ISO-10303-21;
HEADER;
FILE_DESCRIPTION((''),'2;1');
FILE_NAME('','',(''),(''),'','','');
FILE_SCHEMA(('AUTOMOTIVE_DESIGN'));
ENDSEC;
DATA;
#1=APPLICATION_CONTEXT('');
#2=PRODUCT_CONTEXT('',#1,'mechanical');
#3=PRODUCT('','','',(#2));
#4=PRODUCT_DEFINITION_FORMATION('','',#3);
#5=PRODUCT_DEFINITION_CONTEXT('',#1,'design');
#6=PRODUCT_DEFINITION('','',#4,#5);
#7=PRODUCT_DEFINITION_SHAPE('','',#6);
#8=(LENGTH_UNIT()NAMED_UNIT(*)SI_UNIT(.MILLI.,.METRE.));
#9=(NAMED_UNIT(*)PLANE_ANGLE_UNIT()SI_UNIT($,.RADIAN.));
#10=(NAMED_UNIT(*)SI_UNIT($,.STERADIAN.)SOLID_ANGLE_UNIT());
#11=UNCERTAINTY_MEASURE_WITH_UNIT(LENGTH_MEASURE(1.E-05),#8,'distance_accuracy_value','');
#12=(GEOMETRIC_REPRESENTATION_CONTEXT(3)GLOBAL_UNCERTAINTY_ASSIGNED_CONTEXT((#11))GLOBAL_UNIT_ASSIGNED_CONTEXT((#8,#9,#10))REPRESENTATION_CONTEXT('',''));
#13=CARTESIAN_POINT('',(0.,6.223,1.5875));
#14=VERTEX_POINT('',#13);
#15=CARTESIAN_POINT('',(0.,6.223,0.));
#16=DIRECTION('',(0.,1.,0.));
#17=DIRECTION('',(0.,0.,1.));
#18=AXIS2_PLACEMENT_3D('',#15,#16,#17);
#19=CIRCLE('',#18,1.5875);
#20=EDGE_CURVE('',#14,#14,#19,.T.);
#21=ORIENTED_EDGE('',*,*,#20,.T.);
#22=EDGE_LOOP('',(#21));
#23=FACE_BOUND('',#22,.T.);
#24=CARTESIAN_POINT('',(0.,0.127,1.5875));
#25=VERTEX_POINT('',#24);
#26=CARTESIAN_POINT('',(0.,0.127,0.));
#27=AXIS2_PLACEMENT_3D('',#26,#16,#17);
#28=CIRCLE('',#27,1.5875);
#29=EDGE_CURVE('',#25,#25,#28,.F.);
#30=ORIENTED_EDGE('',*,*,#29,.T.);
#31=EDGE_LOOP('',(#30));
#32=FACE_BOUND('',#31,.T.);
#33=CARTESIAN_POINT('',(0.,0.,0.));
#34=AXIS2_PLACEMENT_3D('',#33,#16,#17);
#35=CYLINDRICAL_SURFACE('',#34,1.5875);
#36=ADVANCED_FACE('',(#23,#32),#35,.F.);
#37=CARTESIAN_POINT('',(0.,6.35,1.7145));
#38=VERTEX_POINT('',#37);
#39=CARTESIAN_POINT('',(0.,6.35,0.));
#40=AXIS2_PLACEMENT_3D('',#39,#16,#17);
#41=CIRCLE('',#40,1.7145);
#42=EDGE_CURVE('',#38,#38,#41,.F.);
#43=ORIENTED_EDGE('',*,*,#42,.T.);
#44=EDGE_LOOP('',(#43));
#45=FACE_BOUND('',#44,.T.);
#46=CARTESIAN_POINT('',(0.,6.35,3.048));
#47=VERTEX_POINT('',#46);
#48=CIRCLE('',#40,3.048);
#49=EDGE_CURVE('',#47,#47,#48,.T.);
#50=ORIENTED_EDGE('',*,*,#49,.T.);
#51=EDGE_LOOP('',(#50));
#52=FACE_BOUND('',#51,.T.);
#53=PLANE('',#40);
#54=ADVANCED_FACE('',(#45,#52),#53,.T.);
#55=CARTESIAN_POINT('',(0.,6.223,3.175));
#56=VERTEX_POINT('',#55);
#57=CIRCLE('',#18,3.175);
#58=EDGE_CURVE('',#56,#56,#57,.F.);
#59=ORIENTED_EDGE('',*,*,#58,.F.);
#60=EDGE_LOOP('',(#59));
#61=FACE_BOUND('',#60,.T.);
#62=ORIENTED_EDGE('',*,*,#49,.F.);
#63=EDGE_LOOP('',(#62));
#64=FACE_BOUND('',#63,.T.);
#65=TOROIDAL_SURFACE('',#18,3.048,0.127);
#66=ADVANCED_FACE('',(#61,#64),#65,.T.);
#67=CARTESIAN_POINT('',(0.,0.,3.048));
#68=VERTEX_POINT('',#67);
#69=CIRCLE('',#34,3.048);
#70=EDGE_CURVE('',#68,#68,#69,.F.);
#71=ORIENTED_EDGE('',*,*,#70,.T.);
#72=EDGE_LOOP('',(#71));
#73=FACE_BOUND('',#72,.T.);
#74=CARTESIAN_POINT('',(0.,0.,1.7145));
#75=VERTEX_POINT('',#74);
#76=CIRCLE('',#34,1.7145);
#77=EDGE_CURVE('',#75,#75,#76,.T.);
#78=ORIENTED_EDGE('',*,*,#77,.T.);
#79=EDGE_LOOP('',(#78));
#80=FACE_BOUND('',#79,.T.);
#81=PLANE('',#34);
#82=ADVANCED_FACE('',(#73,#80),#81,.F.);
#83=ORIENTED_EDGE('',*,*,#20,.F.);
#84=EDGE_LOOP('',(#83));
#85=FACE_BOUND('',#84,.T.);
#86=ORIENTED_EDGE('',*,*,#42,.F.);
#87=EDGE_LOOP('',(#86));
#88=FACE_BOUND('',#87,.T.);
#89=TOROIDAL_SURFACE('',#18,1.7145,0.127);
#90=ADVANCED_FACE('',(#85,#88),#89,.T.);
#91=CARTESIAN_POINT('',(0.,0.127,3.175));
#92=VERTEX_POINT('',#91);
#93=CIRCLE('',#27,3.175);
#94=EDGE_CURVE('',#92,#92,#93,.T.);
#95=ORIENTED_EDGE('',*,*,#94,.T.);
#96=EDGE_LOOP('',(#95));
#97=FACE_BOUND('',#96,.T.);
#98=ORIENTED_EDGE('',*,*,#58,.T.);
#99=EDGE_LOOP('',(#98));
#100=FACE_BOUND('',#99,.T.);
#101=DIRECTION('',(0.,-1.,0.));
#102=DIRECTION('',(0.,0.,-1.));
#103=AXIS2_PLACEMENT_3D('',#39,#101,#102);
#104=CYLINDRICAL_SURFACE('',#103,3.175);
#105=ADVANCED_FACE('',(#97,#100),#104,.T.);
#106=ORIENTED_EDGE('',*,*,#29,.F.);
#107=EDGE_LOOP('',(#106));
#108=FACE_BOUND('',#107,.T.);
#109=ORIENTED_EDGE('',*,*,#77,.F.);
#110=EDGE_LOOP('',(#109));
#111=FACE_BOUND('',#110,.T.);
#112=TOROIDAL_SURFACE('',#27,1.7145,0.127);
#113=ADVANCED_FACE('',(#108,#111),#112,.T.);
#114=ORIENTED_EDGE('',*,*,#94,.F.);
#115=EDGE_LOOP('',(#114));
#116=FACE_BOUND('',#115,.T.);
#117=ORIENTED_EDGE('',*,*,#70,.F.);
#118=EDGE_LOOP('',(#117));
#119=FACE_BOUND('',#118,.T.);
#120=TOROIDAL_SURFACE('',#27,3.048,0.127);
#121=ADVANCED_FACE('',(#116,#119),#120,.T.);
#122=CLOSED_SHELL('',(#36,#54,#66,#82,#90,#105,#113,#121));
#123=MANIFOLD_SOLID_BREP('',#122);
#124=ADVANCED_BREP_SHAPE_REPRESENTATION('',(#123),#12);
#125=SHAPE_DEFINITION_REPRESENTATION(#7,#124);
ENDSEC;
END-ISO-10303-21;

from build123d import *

# Parameters (mm, degrees)
SKETCH1_R           = 3.175
BOSS_EXTRUDE1_DEPTH = 6.35
SKETCH2_R           = 1.5875
CUT_EXTRUDE1_DEPTH  = 8.777129933
FILLET1_R           = 0.127


with BuildPart() as part:
    # Sketch1 → Boss-Extrude1 (new body)
    with BuildSketch(Plane(origin=(0, 0, 0), x_dir=(1, 0, 0), z_dir=(0, 1, 0))):
        with Locations(Location((0, 0, 0), (0, 0, 270))):
            Circle(SKETCH1_R)
    extrude(amount=BOSS_EXTRUDE1_DEPTH)

    # Sketch2 → Cut-Extrude1 (cut, through all)
    with BuildSketch(Plane(origin=(0, 6.35, 0), x_dir=(1, 0, 0), z_dir=(0, 1, 0))):
        with Locations(Location((0, 0, 0), (0, 0, 270))):
            Circle(SKETCH2_R)
    extrude(amount=-CUT_EXTRUDE1_DEPTH, mode=Mode.SUBTRACT)

    # Fillet1
    fillet1_edges = [part.edges().sort_by_distance(p)[0] for p in [
        (0, 0, -3.175),
        (0, 6.35, -3.175),
        (0, 0, -1.5875),
        (0, 6.35, -1.5875),
    ]]
    fillet(fillet1_edges, radius=FILLET1_R)


solid = part.part
